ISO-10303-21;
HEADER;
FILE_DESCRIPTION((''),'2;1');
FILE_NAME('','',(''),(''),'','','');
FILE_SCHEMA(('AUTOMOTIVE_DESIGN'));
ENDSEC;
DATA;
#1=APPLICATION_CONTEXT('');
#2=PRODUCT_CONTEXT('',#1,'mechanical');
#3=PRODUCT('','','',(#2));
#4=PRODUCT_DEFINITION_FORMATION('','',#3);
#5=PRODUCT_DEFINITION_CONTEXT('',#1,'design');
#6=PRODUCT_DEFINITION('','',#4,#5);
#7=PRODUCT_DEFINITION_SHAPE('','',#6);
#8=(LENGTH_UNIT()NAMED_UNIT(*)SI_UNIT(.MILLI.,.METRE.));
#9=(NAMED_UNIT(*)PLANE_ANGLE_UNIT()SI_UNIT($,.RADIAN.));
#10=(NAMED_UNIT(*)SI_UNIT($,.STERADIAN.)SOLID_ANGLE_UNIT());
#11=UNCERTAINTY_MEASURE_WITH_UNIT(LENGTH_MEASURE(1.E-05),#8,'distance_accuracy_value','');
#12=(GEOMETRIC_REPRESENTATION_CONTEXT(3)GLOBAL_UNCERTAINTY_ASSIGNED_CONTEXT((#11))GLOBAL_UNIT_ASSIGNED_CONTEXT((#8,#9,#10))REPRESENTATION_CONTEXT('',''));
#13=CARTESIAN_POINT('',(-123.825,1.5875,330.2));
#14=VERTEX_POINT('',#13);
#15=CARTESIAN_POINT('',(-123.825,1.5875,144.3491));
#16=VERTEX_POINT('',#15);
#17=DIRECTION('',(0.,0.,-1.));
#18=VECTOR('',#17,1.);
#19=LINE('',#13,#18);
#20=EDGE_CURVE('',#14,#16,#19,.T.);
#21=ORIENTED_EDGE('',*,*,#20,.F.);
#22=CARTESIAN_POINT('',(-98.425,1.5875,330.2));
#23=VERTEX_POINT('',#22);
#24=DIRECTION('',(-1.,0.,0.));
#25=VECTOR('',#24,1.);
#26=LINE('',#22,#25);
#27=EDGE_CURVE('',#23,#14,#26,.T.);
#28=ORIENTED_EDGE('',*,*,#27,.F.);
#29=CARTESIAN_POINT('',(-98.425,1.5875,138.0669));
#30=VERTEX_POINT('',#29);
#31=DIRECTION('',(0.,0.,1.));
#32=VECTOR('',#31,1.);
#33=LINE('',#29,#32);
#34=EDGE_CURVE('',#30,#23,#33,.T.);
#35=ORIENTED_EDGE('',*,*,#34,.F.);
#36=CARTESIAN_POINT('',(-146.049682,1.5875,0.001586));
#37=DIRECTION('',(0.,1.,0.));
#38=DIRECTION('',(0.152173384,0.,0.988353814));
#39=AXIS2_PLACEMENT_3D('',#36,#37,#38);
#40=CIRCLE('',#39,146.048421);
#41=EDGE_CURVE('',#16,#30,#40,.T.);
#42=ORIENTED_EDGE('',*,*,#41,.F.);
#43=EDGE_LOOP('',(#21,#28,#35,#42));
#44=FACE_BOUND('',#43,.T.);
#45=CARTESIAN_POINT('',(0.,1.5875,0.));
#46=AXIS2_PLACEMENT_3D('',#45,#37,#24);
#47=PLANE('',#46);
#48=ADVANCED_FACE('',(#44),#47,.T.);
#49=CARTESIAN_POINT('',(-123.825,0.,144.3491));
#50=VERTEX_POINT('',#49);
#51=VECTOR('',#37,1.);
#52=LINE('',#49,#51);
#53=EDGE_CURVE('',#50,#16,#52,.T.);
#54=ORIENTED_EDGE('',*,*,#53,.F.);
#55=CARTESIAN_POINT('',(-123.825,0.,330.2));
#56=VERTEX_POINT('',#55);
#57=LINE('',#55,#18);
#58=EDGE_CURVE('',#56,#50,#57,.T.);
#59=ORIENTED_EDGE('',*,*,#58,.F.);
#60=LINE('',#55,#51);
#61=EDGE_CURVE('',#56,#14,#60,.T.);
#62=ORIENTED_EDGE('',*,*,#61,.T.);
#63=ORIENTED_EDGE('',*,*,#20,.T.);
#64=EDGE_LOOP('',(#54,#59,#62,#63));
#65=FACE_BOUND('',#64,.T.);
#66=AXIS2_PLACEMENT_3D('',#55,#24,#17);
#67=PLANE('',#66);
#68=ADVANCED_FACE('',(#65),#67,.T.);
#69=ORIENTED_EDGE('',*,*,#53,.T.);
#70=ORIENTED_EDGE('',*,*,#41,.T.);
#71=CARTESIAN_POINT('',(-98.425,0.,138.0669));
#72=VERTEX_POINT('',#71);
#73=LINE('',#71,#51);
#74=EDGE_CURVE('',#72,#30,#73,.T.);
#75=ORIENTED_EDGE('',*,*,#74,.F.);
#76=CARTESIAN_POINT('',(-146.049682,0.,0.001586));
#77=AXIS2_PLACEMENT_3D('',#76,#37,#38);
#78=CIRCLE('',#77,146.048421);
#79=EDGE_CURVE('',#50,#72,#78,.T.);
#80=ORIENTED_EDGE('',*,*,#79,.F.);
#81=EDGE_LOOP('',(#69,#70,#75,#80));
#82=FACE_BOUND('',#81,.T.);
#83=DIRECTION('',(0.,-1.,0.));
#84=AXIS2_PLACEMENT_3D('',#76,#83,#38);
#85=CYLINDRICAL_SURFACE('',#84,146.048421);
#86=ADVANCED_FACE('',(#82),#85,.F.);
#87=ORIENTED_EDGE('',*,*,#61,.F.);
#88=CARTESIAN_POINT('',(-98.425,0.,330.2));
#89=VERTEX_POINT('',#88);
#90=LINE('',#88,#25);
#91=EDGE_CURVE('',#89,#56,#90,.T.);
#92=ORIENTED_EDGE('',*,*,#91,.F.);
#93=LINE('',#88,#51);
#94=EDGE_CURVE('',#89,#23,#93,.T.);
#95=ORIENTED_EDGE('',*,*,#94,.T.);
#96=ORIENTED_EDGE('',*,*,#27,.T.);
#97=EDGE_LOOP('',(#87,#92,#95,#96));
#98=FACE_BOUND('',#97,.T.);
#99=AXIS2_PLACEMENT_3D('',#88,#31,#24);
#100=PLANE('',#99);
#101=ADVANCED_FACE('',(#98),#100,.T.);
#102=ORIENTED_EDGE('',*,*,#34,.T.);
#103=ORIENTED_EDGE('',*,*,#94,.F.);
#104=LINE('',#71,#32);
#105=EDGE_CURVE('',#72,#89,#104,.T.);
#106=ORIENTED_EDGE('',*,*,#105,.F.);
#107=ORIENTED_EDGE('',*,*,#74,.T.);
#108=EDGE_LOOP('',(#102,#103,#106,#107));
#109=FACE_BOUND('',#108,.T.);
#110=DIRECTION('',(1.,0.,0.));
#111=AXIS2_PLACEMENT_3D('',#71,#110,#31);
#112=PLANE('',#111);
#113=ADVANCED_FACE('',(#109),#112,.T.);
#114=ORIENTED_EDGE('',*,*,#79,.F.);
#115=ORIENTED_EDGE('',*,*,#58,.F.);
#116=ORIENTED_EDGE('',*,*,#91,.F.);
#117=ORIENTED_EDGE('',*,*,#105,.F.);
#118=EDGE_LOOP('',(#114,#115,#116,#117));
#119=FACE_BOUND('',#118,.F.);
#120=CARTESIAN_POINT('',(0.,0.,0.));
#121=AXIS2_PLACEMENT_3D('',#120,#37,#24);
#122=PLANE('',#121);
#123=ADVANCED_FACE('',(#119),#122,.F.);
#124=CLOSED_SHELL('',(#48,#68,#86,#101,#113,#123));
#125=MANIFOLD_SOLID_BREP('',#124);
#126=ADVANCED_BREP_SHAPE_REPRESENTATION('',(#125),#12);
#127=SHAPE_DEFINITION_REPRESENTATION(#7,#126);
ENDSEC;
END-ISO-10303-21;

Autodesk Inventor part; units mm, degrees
ref_plane "YZ Plane" through (0, 0, 0) normal (1, 0, 0) x (0, 1, 0)
ref_plane "XZ Plane" through (0, 0, 0) normal (0, 1, 0) x (-1, 0, 0)
ref_plane "XY Plane" through (0, 0, 0) normal (0, 0, 1) x (1, 0, 0)
sketch "Sketch1" plane through (0, 0, 0) normal (0, 1, 0) x (-1, 0, 0)
  line L0 (0, 0) -> (0, 330.2) construction
  line L1 (0, 330.2) -> (330.2, 330.2) construction
  line L2 (330.2, 330.2) -> (330.2, 0) construction
  line L3 (330.2, 0) -> (0, 0) construction
  circle A0 centre (146.05, 0) radius 146.05 construction
  line L4 (98.425, 138.0669) -> (98.425, 330.2)
  line L5 (98.425, 330.2) -> (123.825, 330.2)
  line L6 (123.825, 330.2) -> (123.825, 144.3491)
  arc A1 (123.825, 144.3491) -> (98.425, 138.0669) centre (146.05, 0) ccw
  dimension "d0" = 292.1
  dimension "d1" = 330.2
  dimension "d2" = 330.2
  dimension "d4" = 25.4
  dimension "d8" = 98.425
extrude "Extrusion1" add sketch "Sketch1" along normal blind 1.5875
properties part number "Hopper Teflon Strip P2"
